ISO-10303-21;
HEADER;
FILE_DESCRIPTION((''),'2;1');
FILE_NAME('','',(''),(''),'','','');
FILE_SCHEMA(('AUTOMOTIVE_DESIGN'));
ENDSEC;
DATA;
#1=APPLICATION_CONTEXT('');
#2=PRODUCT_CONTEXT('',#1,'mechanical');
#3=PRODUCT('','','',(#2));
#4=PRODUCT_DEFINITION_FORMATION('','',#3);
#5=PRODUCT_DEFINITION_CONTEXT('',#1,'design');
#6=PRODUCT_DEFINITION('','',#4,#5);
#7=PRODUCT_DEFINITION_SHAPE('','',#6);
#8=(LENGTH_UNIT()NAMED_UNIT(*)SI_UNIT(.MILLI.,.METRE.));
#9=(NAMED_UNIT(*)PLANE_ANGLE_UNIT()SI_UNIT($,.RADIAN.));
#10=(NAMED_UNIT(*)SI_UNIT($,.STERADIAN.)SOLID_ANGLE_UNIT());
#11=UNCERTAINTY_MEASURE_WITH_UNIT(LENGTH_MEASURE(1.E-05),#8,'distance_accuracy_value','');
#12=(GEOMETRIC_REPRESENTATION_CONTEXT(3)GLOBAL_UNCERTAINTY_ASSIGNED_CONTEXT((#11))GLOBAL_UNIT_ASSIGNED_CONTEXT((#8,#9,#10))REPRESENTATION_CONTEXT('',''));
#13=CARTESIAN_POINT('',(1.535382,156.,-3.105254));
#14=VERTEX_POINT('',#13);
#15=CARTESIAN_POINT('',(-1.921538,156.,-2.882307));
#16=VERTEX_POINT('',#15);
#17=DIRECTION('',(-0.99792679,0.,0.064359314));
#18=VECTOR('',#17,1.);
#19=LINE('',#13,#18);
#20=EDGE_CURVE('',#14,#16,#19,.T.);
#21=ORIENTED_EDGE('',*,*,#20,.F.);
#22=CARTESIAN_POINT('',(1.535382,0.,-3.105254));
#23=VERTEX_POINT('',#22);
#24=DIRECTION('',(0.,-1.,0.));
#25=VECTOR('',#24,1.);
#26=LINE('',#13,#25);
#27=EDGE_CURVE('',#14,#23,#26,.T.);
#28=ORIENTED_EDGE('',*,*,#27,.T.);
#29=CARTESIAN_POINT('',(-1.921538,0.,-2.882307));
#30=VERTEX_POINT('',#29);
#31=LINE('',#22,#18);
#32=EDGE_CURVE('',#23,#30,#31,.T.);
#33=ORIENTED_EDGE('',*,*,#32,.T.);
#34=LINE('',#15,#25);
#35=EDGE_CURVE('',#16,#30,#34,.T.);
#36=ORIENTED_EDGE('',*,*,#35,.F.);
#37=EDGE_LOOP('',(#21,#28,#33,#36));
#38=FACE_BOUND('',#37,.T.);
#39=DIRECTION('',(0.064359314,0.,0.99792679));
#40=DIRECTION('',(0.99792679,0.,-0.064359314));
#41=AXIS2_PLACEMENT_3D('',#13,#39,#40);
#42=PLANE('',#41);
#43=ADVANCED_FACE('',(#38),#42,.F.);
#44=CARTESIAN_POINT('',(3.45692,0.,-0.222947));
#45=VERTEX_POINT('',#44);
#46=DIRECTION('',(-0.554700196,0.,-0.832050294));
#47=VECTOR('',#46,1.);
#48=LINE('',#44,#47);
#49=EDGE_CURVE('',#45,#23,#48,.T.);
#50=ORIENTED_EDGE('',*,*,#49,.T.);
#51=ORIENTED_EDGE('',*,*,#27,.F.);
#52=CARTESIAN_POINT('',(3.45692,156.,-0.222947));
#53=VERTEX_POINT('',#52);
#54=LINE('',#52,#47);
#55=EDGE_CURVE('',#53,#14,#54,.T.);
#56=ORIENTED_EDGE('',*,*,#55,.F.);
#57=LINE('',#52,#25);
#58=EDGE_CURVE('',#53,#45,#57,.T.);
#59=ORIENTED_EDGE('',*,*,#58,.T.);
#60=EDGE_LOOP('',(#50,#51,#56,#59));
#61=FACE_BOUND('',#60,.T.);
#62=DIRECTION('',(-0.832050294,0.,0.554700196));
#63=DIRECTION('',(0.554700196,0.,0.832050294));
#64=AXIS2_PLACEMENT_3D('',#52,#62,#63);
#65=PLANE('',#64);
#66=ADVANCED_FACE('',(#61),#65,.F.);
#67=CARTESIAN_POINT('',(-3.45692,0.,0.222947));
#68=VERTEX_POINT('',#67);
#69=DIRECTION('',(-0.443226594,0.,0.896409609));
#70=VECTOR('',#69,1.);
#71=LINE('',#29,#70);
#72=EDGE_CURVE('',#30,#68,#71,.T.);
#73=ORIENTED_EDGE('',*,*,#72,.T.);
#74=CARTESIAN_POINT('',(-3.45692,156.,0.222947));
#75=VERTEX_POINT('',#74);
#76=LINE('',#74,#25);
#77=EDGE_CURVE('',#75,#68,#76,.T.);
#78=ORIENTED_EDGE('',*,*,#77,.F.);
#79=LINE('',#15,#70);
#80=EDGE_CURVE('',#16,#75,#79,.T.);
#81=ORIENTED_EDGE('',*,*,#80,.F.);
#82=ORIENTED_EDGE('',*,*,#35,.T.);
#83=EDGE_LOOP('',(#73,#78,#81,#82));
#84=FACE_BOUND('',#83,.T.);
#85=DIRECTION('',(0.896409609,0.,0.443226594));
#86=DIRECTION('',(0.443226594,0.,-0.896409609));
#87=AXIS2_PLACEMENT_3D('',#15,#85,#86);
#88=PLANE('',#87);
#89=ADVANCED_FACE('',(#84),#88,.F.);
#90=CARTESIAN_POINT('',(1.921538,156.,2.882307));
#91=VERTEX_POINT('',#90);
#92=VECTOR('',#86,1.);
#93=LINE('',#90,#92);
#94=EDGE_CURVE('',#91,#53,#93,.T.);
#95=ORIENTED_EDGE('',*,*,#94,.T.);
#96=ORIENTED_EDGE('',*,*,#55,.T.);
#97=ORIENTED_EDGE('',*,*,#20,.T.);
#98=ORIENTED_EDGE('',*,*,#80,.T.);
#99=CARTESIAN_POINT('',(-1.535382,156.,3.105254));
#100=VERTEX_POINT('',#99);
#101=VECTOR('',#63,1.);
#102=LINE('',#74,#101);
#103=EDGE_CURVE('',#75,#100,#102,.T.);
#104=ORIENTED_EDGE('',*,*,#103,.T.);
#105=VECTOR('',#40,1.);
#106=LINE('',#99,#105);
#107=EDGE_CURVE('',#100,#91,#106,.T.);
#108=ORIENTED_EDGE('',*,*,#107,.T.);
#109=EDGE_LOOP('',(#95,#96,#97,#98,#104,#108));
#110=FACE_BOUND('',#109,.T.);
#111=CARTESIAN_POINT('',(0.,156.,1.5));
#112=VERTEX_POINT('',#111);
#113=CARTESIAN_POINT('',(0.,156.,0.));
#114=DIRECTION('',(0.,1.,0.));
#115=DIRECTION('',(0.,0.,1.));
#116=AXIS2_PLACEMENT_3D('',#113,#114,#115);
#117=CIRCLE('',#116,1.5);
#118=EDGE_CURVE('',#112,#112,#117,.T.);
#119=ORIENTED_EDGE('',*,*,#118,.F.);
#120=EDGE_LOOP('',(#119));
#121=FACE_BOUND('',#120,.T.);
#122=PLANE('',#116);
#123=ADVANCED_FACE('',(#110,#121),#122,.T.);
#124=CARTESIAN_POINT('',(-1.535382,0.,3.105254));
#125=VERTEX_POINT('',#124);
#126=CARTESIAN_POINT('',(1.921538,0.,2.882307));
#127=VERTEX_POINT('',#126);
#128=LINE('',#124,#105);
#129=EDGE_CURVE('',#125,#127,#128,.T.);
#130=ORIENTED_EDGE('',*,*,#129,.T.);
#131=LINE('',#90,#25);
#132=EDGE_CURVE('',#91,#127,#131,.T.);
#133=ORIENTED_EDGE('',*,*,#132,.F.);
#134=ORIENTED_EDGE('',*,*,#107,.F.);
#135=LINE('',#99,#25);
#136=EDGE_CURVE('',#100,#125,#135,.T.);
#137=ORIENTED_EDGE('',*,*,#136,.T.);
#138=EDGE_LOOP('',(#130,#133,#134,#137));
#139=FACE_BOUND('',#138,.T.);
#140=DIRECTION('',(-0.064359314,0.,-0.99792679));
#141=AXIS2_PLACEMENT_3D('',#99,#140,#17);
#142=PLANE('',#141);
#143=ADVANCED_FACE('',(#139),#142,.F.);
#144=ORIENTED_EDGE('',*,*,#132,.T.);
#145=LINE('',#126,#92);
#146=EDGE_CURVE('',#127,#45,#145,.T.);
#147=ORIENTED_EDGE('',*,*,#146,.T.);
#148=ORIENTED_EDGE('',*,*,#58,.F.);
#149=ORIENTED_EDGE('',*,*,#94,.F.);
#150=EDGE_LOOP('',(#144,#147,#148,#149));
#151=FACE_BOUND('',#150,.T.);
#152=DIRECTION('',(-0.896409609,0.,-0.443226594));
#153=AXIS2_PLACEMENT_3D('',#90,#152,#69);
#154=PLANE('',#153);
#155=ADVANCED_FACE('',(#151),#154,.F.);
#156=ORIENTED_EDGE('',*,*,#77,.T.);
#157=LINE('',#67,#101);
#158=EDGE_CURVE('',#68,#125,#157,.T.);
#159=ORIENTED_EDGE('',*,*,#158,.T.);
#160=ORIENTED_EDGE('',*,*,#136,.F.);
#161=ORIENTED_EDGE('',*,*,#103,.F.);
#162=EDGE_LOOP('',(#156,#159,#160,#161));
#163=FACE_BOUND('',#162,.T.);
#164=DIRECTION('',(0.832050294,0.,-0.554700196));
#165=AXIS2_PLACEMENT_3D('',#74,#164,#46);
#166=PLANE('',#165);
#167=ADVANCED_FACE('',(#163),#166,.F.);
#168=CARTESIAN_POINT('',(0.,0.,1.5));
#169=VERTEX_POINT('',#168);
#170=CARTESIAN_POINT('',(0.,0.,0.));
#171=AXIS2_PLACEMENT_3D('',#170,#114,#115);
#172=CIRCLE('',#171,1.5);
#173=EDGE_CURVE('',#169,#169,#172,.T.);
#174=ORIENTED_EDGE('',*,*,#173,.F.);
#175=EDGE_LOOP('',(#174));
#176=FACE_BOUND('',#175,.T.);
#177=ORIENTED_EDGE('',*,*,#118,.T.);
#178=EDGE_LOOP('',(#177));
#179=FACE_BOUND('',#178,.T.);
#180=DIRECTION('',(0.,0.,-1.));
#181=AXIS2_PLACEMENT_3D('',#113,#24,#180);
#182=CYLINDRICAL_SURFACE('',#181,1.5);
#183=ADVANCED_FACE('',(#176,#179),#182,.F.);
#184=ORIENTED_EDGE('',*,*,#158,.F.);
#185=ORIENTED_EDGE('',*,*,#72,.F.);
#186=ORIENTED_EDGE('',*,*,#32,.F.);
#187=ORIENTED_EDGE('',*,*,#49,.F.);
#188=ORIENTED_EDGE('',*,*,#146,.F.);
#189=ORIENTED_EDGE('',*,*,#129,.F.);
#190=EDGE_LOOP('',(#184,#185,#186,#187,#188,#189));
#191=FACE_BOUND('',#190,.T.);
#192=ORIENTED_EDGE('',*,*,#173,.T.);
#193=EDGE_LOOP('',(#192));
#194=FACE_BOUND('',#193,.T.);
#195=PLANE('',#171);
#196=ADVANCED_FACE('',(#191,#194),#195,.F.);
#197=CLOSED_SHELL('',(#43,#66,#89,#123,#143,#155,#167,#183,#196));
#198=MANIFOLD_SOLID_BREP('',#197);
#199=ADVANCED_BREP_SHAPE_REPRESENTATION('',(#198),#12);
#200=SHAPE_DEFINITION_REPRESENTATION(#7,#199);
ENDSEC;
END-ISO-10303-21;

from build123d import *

# Parameters (mm, degrees)
SKETCH_1_R      = 1.5
EXTRUDE_1_DEPTH = 156


with BuildPart() as part:
    # 草图1 → 凸台-拉伸1 (new body)
    with BuildSketch(Plane(origin=(0, 0, 0), x_dir=(1, 0, 0), z_dir=(0, 1, 0))):
        Polygon((1.921537846, -2.882306768), (3.456919806, 0.222947204), (1.53538196, 3.105253973), (-1.921537846, 2.882306768), (-3.456919806, -0.222947204), (-1.53538196, -3.105253973), align=None)
        with Locations(Location((0, 0, 0), (0, 0, 270))):
            Circle(SKETCH_1_R, mode=Mode.SUBTRACT)
    extrude(amount=EXTRUDE_1_DEPTH)


solid = part.part
